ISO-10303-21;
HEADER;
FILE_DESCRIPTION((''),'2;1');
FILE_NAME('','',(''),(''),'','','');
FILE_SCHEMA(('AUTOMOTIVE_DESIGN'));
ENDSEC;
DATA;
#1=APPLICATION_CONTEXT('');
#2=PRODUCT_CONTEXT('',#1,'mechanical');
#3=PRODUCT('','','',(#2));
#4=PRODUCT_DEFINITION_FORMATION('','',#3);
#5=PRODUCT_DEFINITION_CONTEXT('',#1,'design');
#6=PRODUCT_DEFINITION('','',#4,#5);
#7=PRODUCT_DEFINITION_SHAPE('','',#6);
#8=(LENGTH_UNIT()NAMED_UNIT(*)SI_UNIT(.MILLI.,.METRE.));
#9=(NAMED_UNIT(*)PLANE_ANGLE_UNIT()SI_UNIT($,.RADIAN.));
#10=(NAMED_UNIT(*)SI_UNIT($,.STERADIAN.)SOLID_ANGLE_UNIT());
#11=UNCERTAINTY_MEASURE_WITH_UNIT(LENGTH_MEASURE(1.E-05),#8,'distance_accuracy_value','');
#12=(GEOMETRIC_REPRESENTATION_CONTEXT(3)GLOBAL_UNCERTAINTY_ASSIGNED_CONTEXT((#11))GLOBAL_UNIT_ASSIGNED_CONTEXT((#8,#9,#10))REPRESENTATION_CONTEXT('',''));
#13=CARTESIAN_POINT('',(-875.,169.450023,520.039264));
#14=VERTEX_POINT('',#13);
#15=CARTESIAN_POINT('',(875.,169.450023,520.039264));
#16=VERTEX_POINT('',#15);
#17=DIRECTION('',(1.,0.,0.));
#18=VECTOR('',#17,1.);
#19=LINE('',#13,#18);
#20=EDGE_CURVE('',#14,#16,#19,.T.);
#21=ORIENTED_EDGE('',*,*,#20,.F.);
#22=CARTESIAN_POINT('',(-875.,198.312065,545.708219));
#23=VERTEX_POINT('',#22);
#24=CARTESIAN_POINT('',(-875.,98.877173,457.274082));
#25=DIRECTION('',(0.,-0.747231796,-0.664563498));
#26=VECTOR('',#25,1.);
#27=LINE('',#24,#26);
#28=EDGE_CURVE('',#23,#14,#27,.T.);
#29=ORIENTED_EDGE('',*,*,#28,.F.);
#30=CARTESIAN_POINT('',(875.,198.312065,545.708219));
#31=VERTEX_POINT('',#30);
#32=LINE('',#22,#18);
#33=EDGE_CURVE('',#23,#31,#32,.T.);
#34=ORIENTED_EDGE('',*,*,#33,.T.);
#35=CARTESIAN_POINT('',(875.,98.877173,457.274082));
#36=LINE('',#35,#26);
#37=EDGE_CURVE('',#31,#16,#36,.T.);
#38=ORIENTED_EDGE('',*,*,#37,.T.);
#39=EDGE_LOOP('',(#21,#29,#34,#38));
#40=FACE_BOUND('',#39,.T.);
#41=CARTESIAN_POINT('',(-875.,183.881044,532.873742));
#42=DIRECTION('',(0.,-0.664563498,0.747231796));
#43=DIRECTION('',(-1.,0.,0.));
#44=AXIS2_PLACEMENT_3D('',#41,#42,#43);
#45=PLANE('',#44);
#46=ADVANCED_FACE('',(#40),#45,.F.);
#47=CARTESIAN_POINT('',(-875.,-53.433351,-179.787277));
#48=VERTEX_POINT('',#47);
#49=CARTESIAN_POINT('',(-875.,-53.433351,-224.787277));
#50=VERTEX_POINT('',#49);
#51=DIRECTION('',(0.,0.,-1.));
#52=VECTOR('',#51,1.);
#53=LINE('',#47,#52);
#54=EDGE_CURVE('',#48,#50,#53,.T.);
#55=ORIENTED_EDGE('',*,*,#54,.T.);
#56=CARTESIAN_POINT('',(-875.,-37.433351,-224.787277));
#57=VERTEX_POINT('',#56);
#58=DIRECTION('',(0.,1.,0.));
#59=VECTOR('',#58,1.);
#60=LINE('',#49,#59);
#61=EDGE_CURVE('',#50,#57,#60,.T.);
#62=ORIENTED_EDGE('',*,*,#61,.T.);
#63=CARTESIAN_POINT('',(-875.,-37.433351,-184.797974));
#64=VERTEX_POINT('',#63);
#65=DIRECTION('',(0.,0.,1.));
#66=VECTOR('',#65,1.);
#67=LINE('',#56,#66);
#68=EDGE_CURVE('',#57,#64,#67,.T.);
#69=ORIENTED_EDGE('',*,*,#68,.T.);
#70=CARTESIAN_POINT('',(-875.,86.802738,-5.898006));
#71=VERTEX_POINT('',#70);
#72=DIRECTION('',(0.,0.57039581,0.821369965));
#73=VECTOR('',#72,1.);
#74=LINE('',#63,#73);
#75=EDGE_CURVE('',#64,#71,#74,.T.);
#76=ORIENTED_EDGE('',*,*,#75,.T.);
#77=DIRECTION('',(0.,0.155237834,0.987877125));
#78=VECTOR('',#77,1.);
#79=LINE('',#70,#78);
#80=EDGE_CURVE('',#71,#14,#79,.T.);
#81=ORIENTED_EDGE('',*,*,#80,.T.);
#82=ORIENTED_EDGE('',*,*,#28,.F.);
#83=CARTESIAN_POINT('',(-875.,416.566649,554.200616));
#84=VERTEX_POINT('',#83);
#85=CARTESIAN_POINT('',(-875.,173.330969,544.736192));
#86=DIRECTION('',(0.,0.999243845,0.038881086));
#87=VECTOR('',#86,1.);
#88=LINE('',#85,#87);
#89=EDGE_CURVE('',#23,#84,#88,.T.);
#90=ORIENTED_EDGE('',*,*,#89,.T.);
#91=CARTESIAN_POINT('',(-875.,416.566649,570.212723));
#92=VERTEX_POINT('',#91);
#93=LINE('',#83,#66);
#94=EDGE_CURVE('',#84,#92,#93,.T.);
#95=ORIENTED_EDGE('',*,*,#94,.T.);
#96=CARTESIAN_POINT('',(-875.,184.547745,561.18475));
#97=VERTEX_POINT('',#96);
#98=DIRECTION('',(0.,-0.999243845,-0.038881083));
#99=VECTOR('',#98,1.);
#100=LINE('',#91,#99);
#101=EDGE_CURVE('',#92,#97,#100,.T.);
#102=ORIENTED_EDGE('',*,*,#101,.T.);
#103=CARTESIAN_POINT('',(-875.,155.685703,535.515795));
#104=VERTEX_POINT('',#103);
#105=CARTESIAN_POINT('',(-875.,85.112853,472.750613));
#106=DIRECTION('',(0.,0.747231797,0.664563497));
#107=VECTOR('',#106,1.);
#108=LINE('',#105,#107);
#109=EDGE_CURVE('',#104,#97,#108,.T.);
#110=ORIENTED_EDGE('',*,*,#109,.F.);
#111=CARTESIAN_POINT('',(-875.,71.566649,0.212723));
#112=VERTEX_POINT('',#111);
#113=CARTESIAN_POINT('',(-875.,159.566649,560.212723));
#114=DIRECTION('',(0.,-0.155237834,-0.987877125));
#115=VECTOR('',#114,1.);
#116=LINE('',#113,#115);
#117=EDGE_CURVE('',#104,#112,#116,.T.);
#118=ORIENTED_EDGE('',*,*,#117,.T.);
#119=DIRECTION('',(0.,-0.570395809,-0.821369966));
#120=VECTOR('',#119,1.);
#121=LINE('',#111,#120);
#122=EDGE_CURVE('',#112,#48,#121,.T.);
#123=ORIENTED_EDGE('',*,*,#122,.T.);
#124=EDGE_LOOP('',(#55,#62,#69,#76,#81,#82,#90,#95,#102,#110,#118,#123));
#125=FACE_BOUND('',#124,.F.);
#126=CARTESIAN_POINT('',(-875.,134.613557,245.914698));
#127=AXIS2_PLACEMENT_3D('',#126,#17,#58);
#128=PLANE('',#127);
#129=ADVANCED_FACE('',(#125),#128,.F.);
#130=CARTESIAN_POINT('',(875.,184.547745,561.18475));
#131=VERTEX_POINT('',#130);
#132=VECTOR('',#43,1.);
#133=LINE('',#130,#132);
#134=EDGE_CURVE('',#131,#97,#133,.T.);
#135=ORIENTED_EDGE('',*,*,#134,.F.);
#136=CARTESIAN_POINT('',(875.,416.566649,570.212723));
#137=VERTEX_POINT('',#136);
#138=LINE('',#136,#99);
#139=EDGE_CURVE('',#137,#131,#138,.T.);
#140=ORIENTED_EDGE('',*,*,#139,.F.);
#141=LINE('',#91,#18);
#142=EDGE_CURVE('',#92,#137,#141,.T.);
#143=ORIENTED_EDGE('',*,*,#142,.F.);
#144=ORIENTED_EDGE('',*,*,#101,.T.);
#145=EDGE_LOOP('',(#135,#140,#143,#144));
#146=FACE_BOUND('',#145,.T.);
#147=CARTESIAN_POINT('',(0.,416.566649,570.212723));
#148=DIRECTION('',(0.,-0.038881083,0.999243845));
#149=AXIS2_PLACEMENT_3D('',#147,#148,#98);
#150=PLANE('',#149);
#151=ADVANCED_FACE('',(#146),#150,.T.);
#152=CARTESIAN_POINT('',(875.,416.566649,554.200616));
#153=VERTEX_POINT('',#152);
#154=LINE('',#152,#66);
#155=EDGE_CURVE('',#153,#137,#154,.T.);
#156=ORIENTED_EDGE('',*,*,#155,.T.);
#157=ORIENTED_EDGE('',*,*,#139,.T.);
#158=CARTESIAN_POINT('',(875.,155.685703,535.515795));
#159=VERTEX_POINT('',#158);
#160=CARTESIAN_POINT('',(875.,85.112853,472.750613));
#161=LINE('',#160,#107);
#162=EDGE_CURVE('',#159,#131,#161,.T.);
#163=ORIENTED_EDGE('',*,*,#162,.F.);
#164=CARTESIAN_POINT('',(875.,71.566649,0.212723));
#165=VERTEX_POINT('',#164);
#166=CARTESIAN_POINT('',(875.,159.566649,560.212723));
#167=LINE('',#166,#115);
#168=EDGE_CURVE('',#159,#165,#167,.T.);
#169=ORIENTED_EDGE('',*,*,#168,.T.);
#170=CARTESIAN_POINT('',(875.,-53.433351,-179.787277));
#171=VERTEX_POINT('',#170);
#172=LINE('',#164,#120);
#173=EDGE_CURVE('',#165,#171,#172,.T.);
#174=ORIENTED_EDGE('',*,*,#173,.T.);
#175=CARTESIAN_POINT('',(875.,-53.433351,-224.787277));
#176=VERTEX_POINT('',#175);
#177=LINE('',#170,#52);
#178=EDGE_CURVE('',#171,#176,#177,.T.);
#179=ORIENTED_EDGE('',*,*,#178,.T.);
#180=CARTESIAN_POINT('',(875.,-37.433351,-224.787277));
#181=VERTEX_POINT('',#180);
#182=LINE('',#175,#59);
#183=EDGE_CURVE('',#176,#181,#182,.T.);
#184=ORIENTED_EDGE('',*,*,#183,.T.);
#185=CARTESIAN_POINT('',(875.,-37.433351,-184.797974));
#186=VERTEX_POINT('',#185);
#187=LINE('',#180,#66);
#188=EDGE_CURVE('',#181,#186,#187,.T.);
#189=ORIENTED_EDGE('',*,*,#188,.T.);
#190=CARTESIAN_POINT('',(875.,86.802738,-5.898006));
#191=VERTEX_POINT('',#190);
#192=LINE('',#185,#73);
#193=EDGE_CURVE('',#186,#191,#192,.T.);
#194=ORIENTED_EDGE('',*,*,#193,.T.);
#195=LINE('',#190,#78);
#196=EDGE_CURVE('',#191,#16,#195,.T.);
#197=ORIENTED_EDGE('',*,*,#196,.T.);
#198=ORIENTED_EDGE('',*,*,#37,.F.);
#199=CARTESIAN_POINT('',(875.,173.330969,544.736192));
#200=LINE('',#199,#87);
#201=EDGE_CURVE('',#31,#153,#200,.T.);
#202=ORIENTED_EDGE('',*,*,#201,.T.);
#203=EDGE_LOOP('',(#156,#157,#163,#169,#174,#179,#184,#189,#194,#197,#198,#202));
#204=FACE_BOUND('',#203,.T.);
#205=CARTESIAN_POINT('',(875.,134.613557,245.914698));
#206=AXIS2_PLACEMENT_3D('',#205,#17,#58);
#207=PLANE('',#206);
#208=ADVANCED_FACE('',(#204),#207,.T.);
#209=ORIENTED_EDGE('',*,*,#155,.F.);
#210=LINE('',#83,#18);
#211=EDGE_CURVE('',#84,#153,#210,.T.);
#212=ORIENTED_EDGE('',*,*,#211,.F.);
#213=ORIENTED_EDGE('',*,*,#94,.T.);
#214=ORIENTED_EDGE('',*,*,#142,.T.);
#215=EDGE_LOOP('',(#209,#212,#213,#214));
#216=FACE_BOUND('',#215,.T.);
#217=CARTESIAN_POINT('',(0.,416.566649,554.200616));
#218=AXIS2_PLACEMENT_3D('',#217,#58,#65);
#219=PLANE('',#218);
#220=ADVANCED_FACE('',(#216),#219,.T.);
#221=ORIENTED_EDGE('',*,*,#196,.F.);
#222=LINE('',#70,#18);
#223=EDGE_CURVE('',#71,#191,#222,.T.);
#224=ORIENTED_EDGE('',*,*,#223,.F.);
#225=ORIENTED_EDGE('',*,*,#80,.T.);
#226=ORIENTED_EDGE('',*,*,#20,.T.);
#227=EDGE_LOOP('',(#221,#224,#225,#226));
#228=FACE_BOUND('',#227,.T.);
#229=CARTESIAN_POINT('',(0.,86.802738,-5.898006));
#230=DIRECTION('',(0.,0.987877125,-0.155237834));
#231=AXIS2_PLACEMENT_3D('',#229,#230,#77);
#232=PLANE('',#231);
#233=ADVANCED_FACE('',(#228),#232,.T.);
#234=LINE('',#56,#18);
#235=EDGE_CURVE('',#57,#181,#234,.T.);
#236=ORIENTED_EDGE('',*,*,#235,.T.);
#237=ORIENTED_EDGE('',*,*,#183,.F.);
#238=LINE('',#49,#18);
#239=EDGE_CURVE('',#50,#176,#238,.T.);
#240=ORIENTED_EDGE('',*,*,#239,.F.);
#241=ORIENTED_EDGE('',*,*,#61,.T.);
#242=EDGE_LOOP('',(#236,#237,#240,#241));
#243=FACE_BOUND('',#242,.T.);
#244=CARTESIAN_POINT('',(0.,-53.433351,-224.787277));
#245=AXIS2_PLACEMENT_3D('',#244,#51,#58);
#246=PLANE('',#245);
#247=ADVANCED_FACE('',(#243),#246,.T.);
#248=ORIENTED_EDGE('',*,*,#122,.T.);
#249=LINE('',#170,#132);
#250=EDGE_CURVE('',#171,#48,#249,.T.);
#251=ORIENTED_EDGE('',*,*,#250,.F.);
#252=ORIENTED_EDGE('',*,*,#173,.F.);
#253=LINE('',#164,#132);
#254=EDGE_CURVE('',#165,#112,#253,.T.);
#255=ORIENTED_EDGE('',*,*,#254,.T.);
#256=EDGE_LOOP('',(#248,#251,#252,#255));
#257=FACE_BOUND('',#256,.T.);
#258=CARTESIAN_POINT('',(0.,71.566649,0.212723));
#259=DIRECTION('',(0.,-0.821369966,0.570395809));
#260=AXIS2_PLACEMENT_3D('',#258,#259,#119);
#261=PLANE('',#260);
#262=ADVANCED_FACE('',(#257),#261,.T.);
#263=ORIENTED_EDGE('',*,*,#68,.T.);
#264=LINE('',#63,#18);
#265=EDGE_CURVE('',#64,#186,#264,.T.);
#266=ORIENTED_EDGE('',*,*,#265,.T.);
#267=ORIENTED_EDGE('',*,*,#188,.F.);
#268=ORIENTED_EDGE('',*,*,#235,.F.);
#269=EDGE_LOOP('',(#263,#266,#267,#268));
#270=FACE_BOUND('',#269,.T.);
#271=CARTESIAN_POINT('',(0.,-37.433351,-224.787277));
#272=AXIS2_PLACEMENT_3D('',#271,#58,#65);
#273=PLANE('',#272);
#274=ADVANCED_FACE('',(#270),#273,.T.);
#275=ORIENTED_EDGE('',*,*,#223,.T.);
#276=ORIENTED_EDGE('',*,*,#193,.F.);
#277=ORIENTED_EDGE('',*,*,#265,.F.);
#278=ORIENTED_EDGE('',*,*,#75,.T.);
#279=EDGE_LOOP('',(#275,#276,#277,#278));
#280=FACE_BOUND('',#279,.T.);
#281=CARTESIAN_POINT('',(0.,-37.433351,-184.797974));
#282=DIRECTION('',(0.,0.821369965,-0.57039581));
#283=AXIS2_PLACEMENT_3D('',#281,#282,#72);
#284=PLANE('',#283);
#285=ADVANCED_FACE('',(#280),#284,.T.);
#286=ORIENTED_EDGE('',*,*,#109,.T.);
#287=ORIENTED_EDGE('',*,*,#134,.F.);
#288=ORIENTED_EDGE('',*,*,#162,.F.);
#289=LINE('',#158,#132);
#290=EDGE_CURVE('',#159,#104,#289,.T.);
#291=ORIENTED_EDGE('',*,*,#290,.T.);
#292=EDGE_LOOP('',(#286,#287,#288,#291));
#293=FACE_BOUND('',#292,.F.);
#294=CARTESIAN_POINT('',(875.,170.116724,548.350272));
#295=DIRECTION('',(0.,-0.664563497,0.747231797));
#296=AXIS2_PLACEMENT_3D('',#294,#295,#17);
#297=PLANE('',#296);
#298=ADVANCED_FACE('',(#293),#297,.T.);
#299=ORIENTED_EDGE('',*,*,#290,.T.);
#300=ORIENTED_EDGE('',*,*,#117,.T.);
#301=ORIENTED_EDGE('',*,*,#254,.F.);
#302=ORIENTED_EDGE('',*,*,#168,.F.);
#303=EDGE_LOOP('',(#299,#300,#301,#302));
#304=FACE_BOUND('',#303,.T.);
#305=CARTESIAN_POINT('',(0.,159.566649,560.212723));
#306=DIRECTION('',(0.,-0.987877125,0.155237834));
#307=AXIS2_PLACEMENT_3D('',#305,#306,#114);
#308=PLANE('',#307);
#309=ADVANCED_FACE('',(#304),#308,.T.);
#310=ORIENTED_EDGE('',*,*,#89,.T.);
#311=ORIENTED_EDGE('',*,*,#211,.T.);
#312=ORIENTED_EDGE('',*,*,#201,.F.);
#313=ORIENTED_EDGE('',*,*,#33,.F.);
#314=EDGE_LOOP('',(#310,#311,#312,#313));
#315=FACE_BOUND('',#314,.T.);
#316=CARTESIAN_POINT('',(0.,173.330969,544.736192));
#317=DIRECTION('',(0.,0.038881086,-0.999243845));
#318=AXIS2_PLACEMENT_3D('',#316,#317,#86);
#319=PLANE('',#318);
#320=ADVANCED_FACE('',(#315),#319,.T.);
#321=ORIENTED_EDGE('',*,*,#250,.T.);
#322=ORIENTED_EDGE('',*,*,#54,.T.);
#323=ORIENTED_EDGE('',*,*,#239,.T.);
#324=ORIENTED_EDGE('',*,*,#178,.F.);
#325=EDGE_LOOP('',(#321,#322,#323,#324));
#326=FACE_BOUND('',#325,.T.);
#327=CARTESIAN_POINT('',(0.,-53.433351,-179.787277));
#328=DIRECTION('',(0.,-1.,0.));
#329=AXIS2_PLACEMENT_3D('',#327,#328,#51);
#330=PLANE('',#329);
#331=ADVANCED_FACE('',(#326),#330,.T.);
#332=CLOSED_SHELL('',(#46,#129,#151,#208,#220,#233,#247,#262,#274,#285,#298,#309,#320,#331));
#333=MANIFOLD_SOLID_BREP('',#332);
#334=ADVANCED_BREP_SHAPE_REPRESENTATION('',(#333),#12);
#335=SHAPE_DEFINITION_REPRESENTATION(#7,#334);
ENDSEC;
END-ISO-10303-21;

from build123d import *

# Parameters (mm, degrees)
F1_DEPTH = 875
F2_SIZE  = 25


with BuildPart() as f1:
    # F0 (on Right) → F1 (new body, symmetric)
    with BuildSketch(Plane.YZ):
        Polygon((-53.433351, -179.787277), (-53.433351, -224.787277), (-37.433351, -224.787277), (-37.433351, -184.797974), (86.802738, -5.898006), (173.330969, 544.736192), (416.566649, 554.200616), (416.566649, 570.212723), (159.566649, 560.212723), (71.566649, 0.212723), align=None)
    extrude(amount=F1_DEPTH, both=True)

    # F2
    f2_edges = [f1.edges().sort_by_distance(p)[0] for p in [
        (0, 159.566649, 560.212723),
        (0, 173.330969, 544.736192),
    ]]
    chamfer(f2_edges, length=F2_SIZE)


solid = f1.part
